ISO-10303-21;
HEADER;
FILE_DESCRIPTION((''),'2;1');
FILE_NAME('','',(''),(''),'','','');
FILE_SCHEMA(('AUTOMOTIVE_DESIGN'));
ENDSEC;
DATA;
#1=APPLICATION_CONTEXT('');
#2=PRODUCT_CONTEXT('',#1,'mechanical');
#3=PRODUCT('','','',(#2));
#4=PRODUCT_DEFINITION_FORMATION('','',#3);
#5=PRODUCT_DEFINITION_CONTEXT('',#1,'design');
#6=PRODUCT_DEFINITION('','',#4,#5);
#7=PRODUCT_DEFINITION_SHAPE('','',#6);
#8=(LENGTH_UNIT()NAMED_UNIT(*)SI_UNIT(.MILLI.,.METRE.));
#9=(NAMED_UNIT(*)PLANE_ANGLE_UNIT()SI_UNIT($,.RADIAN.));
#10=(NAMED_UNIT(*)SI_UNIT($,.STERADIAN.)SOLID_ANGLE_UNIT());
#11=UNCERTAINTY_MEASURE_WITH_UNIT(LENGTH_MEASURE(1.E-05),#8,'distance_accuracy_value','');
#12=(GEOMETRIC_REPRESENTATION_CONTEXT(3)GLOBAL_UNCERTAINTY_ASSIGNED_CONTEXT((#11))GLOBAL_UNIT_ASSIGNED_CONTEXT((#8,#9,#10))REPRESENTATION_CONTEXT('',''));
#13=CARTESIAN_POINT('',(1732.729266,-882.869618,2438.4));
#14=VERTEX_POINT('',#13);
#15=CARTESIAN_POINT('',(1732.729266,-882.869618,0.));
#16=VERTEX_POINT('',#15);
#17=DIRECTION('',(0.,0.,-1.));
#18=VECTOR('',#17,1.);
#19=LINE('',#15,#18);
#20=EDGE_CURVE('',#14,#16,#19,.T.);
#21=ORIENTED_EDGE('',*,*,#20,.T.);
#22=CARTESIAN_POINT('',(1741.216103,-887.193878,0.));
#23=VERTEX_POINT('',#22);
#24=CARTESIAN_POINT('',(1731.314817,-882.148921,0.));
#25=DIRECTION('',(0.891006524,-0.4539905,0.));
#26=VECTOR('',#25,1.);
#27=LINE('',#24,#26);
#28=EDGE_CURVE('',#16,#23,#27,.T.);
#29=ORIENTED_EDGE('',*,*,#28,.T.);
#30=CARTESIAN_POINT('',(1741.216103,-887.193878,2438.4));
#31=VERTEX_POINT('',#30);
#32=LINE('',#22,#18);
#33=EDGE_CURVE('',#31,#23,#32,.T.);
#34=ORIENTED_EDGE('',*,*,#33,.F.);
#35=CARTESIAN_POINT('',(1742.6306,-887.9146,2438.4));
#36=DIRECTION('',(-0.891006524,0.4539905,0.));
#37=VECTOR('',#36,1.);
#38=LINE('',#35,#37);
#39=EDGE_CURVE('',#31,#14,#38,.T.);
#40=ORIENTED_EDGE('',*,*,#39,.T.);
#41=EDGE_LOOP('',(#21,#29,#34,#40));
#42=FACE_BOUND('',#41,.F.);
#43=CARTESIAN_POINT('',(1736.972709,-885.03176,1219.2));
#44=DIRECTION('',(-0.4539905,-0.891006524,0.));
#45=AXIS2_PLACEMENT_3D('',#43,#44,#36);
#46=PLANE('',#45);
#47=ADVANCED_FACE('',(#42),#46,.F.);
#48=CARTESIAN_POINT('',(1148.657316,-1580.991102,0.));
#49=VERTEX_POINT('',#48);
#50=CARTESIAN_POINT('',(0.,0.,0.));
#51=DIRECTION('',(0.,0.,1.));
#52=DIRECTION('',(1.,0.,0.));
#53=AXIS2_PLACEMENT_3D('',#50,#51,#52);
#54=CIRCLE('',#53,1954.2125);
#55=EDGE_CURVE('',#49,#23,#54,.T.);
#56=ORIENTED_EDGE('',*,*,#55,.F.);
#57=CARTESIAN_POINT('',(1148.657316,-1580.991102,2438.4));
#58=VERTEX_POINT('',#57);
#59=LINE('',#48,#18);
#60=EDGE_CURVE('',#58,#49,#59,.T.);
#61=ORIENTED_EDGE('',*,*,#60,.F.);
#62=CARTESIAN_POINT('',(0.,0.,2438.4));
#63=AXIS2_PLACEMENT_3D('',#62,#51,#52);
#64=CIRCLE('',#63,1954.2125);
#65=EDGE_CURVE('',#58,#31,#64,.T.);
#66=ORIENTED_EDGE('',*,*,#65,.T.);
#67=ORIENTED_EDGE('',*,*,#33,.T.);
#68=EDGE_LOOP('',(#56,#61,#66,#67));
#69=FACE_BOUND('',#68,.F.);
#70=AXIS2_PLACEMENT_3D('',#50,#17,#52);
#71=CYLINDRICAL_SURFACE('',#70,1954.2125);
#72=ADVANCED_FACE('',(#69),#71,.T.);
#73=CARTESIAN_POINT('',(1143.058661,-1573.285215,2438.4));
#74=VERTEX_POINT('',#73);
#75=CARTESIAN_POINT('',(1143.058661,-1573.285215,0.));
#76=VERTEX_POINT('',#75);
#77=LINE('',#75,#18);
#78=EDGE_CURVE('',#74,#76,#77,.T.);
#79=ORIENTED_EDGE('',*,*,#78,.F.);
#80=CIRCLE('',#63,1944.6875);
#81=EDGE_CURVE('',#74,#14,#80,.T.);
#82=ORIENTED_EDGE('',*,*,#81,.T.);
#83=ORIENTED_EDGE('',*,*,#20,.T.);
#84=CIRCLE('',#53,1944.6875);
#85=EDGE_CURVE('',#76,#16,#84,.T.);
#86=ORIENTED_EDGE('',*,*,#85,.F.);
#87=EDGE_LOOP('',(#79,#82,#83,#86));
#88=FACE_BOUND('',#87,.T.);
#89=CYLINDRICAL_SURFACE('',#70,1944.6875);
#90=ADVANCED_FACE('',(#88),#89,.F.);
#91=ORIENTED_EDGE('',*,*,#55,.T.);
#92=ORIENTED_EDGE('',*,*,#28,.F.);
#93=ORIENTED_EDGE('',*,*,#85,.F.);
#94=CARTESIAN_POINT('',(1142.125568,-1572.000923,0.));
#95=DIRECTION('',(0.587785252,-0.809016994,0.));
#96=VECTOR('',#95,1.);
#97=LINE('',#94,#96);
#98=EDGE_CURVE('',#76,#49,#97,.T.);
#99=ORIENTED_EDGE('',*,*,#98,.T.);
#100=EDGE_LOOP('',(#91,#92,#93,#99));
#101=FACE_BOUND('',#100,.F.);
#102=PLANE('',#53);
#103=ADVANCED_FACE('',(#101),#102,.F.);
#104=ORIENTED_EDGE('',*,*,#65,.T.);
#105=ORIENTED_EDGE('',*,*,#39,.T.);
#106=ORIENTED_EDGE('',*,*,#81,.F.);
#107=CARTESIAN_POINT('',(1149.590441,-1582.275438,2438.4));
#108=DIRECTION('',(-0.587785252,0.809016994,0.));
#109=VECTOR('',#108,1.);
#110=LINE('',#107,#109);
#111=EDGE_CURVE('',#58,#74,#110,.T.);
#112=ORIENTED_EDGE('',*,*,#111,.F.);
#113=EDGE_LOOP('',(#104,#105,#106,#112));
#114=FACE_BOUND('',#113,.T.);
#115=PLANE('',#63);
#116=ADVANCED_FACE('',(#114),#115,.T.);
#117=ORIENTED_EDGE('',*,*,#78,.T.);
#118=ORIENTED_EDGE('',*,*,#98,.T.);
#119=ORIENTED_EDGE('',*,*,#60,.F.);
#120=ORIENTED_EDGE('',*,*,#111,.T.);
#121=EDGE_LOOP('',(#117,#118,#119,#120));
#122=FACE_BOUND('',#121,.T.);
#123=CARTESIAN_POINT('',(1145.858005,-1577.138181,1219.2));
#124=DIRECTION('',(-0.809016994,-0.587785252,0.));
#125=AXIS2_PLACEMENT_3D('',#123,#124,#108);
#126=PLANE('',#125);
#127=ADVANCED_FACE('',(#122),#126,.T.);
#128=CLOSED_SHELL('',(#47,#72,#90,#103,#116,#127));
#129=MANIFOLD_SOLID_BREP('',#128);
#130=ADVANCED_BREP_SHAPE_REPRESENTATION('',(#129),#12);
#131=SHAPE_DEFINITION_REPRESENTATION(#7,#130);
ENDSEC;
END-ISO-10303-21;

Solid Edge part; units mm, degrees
sketch "Sketch1" plane through (0, 0, 0) normal (0, 0, 1) x (1, 0, 0)
  circle A0 centre (0, 0) radius 1954.2125
  circle A1 centre (0, 0) radius 1944.6875
  dimension "D1" = 3908.425
  dimension "D2" = 3889.375
extrude "Protrusion1" add sketch "Sketch1" along normal blind 2438.4
sketch "Sketch2" plane through (1742.6306, -887.9146, 0) normal (-0.454, -0.891, 0) x (0.891, -0.454, 0)
  line L0 (0, 0) -> (0, 2438.4)
  line L1 (0, 2438.4) -> (-12.7, 2438.4)
  line L2 (-12.7, 2438.4) -> (-12.7, 0)
  line L3 (-12.7, 0) -> (0, 0)
revolve "RevolvedCutout1" cut sketch "Sketch2" angle 333 about axis through (0, 0, 0) along (0, 0, 1)
